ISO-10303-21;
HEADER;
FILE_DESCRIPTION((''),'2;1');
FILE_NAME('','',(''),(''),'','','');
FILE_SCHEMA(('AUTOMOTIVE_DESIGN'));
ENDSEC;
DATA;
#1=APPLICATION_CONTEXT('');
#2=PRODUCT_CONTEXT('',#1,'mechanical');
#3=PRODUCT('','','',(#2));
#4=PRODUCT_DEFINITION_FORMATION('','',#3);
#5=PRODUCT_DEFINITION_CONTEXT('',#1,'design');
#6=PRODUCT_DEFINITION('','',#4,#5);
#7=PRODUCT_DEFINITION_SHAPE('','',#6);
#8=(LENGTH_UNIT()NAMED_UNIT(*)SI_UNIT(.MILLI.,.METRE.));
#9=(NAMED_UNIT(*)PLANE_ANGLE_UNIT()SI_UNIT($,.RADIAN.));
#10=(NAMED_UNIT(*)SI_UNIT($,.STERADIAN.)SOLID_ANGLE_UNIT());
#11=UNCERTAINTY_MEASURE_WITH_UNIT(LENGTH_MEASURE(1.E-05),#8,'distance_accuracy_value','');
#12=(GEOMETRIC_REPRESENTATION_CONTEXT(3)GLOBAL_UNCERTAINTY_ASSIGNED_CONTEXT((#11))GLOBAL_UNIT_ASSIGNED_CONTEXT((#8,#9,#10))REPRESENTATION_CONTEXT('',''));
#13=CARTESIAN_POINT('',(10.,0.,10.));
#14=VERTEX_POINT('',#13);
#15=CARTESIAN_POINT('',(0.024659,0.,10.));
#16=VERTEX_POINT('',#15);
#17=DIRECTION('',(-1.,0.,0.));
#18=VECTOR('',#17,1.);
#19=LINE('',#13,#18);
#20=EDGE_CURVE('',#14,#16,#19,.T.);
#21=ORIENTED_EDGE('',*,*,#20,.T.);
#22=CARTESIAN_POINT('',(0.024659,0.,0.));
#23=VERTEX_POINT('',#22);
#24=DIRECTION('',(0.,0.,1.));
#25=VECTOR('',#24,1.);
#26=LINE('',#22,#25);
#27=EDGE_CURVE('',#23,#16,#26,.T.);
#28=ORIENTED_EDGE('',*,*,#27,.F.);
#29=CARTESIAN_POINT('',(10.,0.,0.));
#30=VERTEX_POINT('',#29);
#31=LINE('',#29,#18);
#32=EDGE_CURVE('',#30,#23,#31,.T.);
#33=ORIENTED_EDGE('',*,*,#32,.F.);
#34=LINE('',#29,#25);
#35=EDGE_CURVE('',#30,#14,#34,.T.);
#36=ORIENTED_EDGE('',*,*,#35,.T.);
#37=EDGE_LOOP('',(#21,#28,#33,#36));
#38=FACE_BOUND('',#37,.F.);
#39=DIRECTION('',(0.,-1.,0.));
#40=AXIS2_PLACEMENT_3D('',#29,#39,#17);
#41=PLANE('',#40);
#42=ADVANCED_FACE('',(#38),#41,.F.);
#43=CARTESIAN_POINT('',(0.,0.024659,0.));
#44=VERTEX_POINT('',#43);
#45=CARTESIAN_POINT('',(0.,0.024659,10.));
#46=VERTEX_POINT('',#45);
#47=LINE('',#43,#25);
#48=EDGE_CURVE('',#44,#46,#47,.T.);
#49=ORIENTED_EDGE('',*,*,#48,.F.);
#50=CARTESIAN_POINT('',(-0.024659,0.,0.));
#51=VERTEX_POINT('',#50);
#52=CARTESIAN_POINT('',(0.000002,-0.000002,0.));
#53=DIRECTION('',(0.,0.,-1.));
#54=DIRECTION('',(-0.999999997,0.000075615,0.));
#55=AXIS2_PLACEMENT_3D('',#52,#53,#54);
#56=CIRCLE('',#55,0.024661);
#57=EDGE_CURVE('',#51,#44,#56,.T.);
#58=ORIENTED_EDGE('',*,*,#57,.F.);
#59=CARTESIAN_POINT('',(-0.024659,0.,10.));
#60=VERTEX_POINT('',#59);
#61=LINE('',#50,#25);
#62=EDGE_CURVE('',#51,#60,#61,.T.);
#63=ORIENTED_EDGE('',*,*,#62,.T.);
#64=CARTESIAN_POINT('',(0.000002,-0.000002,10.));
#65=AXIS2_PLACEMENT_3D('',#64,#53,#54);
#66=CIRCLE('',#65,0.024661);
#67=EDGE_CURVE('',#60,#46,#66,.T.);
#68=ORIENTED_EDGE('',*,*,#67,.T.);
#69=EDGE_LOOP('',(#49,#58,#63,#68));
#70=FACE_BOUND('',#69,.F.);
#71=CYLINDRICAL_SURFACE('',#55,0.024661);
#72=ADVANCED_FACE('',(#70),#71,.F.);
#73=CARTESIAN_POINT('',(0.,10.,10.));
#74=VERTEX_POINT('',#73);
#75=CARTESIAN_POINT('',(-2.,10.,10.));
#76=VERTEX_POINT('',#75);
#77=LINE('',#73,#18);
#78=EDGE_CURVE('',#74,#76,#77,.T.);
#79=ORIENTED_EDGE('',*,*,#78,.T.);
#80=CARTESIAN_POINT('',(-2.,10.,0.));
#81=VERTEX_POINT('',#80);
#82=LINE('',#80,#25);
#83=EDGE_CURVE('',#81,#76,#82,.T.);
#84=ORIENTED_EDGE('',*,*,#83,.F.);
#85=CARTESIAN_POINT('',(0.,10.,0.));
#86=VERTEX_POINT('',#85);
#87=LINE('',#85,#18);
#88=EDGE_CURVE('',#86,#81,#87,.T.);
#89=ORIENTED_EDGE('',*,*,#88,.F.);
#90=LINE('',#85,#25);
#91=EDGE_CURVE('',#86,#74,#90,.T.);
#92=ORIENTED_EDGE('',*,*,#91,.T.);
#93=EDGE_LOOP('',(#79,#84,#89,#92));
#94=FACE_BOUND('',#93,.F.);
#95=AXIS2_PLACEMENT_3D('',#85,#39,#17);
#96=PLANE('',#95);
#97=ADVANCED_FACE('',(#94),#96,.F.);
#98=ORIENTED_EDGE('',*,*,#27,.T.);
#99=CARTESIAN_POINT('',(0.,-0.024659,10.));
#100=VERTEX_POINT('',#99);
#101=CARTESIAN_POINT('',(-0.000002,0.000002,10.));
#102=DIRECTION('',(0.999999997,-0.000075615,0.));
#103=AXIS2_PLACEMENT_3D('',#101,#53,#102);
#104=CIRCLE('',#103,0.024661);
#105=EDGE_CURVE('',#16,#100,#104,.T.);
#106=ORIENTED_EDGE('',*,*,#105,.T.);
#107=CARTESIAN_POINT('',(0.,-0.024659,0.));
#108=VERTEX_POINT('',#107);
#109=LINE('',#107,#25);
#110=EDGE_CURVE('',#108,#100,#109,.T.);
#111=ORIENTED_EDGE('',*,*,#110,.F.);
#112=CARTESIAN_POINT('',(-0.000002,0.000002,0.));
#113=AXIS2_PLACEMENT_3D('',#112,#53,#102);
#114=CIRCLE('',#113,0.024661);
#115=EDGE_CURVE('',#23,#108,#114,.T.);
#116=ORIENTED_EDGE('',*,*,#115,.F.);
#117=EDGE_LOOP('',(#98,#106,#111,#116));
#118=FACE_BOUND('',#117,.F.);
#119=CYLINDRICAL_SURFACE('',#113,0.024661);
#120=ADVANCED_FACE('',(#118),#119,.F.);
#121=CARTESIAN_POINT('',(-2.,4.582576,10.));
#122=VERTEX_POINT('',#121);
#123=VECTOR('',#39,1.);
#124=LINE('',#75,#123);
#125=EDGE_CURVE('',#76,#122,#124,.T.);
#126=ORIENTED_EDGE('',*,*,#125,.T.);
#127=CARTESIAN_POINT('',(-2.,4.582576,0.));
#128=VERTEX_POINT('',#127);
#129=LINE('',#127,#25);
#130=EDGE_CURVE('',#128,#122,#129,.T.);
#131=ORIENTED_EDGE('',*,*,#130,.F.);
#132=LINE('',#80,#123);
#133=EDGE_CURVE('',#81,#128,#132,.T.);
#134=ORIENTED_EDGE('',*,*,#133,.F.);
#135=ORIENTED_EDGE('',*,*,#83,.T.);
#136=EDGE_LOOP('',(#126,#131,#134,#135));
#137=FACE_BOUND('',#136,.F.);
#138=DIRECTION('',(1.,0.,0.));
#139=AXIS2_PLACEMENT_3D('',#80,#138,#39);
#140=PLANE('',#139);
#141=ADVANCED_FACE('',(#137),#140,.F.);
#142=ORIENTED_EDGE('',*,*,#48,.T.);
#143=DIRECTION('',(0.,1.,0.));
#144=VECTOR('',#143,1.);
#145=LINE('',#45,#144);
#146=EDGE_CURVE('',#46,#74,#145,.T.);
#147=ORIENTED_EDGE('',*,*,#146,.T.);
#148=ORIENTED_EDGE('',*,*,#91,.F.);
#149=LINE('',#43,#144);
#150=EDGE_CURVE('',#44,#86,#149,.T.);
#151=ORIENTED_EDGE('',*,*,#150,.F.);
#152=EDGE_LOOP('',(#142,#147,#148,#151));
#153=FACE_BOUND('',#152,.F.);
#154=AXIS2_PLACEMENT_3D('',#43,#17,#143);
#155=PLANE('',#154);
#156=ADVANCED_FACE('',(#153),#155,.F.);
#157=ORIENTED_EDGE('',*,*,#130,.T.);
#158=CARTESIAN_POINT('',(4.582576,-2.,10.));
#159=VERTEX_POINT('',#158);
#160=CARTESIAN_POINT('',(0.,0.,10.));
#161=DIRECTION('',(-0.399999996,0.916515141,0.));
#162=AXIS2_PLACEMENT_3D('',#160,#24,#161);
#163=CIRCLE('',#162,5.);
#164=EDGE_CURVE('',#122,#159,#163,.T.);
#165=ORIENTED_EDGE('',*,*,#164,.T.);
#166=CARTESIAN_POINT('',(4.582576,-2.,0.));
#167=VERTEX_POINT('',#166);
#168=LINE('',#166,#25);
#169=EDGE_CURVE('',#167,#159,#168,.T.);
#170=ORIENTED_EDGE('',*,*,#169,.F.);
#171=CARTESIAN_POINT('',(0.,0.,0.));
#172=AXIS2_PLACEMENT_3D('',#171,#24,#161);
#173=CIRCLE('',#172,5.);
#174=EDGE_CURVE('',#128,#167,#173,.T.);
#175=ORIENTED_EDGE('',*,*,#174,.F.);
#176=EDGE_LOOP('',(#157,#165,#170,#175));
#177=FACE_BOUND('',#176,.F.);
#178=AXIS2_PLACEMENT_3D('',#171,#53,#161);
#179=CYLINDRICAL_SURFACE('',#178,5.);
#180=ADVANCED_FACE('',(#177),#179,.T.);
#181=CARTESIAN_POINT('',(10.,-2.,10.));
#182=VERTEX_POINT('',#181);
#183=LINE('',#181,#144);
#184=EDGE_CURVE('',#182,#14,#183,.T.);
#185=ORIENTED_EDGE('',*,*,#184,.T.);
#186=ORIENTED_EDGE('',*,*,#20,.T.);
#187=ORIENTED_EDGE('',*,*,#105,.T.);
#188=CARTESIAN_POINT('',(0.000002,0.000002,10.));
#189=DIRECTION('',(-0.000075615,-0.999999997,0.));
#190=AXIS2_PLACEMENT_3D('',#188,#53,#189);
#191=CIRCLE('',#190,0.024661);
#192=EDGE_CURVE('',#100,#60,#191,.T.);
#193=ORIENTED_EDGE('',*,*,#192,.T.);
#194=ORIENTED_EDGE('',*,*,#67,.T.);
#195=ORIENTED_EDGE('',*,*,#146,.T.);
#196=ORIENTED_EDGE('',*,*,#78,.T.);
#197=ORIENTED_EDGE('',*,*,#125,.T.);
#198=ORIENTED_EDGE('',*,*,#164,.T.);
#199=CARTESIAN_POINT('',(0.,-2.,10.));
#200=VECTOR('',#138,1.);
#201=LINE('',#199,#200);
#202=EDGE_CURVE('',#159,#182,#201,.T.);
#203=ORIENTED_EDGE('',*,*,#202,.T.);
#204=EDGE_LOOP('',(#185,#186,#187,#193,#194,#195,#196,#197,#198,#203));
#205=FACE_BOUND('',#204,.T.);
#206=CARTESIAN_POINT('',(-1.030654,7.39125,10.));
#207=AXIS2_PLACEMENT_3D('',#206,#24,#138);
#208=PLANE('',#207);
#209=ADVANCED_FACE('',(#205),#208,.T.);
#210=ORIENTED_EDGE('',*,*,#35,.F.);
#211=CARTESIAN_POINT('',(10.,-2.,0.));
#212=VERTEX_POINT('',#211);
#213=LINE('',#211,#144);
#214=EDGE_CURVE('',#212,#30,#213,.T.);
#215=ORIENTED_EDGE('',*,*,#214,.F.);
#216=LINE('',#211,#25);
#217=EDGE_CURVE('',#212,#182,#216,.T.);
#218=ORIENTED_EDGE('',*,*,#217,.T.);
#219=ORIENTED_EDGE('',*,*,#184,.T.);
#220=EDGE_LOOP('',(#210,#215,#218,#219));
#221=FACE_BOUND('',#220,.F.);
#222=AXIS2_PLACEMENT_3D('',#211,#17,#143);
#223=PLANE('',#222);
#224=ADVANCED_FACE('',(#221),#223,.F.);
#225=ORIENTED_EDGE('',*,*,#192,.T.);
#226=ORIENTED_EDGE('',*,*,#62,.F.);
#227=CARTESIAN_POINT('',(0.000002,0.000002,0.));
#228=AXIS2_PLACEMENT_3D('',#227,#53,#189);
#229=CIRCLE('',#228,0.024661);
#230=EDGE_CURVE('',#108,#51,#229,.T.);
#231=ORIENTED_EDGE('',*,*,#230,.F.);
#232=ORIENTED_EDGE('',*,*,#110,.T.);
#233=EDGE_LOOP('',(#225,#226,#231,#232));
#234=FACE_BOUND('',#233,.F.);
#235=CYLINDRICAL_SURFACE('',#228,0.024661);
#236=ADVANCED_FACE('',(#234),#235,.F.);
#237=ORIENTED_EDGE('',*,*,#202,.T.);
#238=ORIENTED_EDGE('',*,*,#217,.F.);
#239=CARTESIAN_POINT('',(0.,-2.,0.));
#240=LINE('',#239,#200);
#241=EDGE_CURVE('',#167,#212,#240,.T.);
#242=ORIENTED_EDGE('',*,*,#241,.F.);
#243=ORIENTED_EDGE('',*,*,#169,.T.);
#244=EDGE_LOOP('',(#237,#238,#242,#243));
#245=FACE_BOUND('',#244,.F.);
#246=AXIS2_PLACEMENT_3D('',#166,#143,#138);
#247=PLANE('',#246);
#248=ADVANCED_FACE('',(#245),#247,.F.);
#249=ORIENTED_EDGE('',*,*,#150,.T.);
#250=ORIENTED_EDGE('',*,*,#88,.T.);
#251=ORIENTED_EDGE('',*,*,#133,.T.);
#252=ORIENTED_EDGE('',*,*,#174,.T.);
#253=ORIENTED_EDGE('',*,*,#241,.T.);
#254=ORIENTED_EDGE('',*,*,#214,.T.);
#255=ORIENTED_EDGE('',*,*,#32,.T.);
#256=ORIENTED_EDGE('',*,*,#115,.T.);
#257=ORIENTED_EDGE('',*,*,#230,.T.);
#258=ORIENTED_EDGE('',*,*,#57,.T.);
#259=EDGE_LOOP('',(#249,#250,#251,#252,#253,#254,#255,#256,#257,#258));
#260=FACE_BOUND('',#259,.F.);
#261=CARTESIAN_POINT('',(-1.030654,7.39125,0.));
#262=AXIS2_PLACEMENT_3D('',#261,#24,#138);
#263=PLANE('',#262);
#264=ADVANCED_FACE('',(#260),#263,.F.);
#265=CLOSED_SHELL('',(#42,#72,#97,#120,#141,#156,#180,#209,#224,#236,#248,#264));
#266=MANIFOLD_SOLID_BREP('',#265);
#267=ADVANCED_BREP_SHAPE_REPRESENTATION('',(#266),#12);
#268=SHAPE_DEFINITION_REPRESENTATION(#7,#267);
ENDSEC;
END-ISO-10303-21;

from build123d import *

# Parameters (mm, degrees)
F1_DEPTH = 10


with BuildPart() as f1:
    # F0 (on Top) → F1 (new body)
    with BuildSketch(Plane.XY):
        with BuildLine():
            Line((-2, 10), (-2, 4.582576))
            ThreePointArc((-2, 4.582576), (-1.021548, 4.894532), (0, 5))
            Line((0, 5), (0, 10))
            Line((0, 10), (-2, 10))
        make_face()
        with BuildLine():
            Line((4.582576, -2), (10, -2))
            Line((10, -2), (10, 0))
            Line((10, 0), (5, 0))
            ThreePointArc((5, 0), (4.894532, -1.021548), (4.582576, -2))
        make_face()
        with BuildLine():
            Line((0, -2), (4.582576, -2))
            ThreePointArc((4.582576, -2), (4.894532, -1.021548), (5, 0))
            Line((5, 0), (0.024659, 0))
            ThreePointArc((0.024659, 0), (0.017436, -0.017436), (0, -0.024659))
            Line((0, -0.024659), (0, -2))
        make_face()
        with BuildLine():
            ThreePointArc((0, 5), (-1.021548, 4.894532), (-2, 4.582576))
            Line((-2, 4.582576), (-2, 0))
            Line((-2, 0), (-0.024659, 0))
            ThreePointArc((-0.024659, 0), (-0.017436, 0.017436), (0, 0.024659))
            Line((0, 0.024659), (0, 5))
        make_face()
        with BuildLine():
            ThreePointArc((-2, 4.582576), (-3.535534, -3.535534), (4.582576, -2))
            Line((4.582576, -2), (0, -2))
            Line((0, -2), (0, -0.024659))
            ThreePointArc((0, -0.024659), (-0.017436, -0.017436), (-0.024659, 0))
            Line((-0.024659, 0), (-2, 0))
            Line((-2, 0), (-2, 4.582576))
        make_face()
    extrude(amount=F1_DEPTH)


solid = f1.part
